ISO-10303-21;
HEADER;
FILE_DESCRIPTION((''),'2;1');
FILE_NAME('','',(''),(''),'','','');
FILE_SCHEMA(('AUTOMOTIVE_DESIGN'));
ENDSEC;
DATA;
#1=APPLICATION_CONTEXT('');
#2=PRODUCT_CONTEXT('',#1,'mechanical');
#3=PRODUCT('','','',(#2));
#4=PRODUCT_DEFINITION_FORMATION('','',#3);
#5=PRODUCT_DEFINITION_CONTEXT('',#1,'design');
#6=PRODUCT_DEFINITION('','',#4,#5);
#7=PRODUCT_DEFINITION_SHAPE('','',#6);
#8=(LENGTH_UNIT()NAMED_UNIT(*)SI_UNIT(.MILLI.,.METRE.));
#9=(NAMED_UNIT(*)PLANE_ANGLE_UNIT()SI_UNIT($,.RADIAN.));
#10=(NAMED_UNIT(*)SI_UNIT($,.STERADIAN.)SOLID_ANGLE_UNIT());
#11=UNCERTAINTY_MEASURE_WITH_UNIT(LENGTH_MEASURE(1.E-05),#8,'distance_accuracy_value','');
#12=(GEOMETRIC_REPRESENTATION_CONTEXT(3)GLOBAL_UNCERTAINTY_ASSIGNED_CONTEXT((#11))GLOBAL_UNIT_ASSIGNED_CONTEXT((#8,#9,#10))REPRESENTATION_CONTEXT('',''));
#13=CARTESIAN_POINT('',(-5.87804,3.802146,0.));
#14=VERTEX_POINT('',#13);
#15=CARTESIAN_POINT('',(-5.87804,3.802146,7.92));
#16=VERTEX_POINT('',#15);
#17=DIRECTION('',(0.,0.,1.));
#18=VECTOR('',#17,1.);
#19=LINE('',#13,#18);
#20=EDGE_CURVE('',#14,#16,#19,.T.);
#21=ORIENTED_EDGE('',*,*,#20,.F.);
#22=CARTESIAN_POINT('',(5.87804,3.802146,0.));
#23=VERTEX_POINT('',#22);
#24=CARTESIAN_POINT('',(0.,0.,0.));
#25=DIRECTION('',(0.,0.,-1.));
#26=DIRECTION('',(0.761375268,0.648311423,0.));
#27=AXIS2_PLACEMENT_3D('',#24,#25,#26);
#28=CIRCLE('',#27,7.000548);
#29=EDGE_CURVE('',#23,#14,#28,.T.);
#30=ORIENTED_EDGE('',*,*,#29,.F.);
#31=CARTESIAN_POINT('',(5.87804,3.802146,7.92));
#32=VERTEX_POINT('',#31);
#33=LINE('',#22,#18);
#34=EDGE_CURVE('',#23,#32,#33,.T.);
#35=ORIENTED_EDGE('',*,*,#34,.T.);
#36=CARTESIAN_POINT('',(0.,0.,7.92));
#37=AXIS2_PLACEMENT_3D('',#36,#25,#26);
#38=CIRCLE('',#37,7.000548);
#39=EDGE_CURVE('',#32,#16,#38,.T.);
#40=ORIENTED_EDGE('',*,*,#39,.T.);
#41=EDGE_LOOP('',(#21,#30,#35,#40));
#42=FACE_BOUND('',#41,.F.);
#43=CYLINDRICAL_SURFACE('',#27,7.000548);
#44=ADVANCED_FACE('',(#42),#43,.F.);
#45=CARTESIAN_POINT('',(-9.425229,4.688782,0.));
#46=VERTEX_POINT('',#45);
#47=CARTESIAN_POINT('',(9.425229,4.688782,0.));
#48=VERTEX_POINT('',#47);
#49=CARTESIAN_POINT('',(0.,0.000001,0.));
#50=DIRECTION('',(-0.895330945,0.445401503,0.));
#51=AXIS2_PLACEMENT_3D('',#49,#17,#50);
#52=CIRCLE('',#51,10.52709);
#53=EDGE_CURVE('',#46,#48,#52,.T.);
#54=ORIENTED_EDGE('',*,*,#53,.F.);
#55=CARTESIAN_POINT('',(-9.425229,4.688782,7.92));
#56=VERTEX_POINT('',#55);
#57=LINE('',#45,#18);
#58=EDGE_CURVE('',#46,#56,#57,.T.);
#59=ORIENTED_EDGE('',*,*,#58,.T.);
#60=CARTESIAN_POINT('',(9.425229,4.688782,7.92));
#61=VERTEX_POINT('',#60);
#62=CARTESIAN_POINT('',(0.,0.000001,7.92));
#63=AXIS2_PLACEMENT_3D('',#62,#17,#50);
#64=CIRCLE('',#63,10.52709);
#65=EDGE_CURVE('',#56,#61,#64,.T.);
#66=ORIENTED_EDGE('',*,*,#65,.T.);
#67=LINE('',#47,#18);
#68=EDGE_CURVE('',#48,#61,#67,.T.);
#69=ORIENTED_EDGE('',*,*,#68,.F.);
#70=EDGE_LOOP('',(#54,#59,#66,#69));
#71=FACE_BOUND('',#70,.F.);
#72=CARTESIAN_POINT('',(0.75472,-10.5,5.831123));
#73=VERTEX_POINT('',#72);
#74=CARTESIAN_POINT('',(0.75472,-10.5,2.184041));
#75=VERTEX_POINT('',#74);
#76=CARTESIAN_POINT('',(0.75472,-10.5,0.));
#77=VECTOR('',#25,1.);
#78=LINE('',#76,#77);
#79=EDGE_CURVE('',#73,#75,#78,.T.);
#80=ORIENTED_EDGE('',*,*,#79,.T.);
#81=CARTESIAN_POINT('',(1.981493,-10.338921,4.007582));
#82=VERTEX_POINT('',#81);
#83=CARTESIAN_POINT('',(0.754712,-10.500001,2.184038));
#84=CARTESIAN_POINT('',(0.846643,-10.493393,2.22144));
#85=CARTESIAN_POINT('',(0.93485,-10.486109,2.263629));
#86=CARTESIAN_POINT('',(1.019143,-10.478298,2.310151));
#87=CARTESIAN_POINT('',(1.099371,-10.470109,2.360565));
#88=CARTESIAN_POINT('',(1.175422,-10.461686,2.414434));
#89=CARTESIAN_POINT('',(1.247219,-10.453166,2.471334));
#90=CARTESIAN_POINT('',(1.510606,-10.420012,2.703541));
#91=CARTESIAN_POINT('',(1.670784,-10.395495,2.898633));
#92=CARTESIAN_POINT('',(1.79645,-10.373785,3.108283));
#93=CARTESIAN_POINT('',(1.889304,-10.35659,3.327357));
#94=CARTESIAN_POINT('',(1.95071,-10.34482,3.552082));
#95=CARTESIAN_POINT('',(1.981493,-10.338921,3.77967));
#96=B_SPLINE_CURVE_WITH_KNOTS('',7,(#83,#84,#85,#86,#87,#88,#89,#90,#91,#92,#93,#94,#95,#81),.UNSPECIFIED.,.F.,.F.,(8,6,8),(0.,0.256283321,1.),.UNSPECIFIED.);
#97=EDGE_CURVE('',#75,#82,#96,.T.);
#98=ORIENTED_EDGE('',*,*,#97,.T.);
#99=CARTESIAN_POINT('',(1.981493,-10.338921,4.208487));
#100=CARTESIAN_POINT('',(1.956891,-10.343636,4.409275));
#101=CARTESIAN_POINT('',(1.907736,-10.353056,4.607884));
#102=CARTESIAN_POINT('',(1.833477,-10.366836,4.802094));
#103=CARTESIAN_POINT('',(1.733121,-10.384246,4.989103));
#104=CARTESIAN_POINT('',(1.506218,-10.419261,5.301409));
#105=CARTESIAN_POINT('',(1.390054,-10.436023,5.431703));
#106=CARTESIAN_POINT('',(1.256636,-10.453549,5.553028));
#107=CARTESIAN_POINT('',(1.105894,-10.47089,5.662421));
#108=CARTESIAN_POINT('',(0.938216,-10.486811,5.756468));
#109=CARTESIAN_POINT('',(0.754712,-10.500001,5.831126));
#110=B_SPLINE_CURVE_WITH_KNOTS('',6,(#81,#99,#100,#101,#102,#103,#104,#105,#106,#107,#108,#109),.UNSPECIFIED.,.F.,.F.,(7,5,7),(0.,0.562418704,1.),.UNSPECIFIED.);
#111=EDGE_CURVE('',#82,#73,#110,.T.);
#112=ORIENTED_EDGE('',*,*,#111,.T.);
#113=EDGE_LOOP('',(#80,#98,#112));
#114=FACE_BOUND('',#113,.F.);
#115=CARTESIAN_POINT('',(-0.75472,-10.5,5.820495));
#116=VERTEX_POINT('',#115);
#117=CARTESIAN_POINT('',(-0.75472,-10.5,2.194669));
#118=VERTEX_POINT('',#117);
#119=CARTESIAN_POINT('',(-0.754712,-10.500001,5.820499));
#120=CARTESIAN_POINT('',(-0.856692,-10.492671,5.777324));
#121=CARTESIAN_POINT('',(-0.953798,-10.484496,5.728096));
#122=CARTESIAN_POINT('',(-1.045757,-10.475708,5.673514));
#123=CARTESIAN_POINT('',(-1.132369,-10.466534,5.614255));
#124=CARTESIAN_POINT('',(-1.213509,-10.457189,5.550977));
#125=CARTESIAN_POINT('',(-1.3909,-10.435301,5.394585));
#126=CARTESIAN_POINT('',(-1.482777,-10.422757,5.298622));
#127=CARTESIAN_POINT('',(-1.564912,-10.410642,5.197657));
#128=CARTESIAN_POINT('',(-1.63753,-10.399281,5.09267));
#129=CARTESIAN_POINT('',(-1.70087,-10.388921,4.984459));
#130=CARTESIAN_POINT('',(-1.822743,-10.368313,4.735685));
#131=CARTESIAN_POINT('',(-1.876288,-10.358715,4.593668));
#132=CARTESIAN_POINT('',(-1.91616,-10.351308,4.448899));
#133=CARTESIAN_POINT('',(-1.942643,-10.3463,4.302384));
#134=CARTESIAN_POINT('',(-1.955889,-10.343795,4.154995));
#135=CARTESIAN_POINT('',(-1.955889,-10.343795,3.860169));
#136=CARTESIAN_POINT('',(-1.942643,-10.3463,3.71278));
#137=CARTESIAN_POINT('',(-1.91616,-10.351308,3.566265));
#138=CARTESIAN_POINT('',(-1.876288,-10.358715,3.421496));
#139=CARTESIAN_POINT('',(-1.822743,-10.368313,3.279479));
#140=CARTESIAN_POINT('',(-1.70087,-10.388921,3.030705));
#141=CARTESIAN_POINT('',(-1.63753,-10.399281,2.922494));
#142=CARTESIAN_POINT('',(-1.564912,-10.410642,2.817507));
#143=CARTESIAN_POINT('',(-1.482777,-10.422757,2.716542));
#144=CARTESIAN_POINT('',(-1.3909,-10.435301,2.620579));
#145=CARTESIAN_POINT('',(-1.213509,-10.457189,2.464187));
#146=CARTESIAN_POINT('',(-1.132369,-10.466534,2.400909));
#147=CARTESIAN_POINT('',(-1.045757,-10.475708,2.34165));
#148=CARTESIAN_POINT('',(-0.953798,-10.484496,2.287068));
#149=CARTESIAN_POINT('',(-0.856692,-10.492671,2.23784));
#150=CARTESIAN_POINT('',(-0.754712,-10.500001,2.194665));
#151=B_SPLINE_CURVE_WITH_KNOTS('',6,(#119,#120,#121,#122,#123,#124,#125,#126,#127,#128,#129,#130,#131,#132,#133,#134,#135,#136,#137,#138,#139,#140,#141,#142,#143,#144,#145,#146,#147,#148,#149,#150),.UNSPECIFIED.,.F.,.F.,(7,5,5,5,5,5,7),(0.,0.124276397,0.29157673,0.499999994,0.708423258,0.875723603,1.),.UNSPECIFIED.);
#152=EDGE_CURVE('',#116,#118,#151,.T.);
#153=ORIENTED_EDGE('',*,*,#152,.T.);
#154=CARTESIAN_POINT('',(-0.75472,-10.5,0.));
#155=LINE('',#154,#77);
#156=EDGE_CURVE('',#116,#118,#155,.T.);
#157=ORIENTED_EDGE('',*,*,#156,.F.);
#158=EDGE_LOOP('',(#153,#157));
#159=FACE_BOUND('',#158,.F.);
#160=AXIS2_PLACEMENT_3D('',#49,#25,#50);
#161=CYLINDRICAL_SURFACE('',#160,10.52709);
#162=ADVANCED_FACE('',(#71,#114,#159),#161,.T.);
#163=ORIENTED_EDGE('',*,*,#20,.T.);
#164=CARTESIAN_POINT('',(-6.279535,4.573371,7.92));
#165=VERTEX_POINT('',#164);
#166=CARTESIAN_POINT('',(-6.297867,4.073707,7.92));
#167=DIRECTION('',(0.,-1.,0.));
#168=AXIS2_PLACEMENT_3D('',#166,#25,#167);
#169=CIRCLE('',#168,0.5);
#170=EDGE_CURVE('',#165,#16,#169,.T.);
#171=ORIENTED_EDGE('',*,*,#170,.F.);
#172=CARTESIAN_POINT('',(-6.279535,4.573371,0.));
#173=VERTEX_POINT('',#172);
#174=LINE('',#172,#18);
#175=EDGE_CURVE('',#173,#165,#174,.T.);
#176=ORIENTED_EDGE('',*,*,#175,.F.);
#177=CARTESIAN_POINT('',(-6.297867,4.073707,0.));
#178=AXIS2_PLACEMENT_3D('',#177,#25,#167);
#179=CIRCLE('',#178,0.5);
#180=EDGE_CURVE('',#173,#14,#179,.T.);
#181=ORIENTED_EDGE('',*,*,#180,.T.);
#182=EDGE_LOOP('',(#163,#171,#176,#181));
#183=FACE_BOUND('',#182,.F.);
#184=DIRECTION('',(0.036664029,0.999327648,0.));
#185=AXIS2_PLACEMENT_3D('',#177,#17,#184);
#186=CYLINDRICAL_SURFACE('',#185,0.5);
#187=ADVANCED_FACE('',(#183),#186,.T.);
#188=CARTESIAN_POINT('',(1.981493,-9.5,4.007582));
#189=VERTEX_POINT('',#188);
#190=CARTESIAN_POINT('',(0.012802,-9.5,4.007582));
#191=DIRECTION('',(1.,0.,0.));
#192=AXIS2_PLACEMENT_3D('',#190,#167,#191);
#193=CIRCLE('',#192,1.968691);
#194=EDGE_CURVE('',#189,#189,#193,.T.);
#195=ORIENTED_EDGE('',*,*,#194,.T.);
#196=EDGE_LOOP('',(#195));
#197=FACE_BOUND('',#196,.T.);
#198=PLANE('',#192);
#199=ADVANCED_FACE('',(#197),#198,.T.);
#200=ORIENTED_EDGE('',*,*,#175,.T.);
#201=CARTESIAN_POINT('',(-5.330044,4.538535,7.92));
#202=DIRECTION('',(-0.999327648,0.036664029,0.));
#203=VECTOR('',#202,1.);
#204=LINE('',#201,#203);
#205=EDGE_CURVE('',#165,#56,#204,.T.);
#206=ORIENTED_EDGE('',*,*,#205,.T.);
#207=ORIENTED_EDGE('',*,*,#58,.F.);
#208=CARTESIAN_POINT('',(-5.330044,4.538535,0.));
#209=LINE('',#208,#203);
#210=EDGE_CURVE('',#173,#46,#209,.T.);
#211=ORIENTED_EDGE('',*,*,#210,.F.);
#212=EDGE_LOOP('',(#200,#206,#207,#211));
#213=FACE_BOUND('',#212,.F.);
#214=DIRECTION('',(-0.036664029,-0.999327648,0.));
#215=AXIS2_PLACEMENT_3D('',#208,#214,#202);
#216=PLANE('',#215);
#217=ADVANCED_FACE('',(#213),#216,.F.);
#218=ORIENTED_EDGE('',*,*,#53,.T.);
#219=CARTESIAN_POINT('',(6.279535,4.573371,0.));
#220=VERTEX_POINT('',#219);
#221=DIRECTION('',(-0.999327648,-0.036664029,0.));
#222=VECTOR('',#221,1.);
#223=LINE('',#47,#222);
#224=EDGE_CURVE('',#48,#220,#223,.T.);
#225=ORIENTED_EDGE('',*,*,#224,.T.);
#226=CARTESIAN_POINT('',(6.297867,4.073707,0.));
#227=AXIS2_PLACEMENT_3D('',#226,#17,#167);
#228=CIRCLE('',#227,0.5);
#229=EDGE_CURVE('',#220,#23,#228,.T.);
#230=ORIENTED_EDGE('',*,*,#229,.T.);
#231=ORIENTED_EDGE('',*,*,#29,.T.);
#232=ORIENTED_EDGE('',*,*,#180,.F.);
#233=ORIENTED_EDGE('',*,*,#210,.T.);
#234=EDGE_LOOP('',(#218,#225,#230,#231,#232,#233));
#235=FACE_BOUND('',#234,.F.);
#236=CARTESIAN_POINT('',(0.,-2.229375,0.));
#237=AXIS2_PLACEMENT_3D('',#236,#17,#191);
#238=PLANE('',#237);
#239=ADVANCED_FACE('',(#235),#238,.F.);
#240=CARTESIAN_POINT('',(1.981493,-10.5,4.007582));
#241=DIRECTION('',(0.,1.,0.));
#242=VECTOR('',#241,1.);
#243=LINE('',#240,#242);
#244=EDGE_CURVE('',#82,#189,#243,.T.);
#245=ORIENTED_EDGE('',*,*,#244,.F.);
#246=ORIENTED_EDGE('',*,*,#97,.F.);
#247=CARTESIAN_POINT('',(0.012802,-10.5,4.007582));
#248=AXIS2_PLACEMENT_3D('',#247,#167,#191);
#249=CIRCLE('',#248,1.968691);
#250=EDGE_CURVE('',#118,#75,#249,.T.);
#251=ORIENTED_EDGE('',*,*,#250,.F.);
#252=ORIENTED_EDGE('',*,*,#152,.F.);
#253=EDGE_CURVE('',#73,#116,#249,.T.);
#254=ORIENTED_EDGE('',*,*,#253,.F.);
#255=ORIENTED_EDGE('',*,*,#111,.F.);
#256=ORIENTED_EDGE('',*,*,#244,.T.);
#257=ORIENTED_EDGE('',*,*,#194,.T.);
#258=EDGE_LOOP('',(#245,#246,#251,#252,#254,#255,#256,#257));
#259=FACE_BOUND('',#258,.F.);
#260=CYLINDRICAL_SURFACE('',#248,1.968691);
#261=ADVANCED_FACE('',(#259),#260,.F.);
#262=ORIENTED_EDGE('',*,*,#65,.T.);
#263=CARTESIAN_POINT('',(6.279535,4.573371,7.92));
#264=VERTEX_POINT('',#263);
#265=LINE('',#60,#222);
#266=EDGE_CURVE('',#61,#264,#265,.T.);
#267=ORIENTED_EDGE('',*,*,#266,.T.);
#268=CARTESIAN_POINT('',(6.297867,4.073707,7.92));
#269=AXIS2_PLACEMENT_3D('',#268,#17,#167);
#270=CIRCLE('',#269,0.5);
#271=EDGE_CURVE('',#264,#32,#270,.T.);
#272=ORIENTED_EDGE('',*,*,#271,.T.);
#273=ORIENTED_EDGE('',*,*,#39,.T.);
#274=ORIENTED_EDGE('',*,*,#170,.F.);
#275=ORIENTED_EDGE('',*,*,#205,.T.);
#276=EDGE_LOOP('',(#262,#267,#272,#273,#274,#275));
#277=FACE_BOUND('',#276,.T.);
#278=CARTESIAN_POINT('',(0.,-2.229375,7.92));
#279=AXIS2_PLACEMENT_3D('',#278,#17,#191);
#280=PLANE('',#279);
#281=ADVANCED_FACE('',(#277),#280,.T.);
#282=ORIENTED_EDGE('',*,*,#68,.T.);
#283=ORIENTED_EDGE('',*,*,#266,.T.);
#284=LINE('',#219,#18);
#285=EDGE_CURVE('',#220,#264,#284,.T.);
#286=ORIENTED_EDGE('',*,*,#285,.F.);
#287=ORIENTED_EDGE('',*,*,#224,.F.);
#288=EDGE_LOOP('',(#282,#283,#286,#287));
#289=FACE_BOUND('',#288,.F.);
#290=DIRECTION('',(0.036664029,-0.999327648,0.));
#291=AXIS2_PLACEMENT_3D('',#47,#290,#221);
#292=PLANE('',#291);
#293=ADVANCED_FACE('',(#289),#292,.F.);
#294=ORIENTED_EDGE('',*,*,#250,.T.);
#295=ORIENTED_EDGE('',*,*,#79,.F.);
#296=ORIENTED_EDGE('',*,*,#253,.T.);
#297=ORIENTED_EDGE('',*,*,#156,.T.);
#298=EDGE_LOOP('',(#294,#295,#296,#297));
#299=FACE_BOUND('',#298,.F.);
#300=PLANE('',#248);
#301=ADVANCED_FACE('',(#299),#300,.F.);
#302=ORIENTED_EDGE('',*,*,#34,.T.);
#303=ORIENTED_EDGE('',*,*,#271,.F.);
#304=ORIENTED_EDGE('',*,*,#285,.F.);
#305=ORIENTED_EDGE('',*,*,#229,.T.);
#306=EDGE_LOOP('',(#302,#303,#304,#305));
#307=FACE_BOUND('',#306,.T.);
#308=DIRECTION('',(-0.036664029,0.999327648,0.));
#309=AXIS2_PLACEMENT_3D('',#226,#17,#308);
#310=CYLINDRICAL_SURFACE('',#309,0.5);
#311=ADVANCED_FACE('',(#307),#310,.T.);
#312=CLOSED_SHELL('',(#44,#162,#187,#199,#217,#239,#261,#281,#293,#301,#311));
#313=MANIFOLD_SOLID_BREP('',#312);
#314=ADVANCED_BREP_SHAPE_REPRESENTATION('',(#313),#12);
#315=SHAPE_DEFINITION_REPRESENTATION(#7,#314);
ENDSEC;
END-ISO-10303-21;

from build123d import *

# Parameters (mm, degrees)
F2_DEPTH = 7.92
F3_R     = 0.5
F5_R     = 1.968691
F6_DEPTH = 1


with BuildPart() as f2:
    # F1 (on Top) → F2 (new body)
    with BuildSketch(Plane.XY):
        with BuildLine():
            Line((-5.330044, 4.538535), (-9.425229, 4.688782))
            ThreePointArc((-9.425229, 4.688782), (0, -10.527089), (9.425229, 4.688782))
            Line((9.425229, 4.688782), (5.330044, 4.538535))
            ThreePointArc((5.330044, 4.538535), (0, -7.000548), (-5.330044, 4.538535))
        make_face()
    extrude(amount=F2_DEPTH)

    # F3
    f3_edges = [f2.edges().sort_by_distance(p)[0] for p in [
        (-5.330044, 4.538535, 3.96),
        (5.330044, 4.538535, 3.96),
    ]]
    fillet(f3_edges, radius=F3_R)

    # F5 (on offset) → F6 (cut)
    with BuildSketch(Plane.XZ.offset(10.5)):
        with Locations((0.012802, 4.007582)):
            Circle(F5_R)
    extrude(amount=-F6_DEPTH, mode=Mode.SUBTRACT)


solid = f2.part
